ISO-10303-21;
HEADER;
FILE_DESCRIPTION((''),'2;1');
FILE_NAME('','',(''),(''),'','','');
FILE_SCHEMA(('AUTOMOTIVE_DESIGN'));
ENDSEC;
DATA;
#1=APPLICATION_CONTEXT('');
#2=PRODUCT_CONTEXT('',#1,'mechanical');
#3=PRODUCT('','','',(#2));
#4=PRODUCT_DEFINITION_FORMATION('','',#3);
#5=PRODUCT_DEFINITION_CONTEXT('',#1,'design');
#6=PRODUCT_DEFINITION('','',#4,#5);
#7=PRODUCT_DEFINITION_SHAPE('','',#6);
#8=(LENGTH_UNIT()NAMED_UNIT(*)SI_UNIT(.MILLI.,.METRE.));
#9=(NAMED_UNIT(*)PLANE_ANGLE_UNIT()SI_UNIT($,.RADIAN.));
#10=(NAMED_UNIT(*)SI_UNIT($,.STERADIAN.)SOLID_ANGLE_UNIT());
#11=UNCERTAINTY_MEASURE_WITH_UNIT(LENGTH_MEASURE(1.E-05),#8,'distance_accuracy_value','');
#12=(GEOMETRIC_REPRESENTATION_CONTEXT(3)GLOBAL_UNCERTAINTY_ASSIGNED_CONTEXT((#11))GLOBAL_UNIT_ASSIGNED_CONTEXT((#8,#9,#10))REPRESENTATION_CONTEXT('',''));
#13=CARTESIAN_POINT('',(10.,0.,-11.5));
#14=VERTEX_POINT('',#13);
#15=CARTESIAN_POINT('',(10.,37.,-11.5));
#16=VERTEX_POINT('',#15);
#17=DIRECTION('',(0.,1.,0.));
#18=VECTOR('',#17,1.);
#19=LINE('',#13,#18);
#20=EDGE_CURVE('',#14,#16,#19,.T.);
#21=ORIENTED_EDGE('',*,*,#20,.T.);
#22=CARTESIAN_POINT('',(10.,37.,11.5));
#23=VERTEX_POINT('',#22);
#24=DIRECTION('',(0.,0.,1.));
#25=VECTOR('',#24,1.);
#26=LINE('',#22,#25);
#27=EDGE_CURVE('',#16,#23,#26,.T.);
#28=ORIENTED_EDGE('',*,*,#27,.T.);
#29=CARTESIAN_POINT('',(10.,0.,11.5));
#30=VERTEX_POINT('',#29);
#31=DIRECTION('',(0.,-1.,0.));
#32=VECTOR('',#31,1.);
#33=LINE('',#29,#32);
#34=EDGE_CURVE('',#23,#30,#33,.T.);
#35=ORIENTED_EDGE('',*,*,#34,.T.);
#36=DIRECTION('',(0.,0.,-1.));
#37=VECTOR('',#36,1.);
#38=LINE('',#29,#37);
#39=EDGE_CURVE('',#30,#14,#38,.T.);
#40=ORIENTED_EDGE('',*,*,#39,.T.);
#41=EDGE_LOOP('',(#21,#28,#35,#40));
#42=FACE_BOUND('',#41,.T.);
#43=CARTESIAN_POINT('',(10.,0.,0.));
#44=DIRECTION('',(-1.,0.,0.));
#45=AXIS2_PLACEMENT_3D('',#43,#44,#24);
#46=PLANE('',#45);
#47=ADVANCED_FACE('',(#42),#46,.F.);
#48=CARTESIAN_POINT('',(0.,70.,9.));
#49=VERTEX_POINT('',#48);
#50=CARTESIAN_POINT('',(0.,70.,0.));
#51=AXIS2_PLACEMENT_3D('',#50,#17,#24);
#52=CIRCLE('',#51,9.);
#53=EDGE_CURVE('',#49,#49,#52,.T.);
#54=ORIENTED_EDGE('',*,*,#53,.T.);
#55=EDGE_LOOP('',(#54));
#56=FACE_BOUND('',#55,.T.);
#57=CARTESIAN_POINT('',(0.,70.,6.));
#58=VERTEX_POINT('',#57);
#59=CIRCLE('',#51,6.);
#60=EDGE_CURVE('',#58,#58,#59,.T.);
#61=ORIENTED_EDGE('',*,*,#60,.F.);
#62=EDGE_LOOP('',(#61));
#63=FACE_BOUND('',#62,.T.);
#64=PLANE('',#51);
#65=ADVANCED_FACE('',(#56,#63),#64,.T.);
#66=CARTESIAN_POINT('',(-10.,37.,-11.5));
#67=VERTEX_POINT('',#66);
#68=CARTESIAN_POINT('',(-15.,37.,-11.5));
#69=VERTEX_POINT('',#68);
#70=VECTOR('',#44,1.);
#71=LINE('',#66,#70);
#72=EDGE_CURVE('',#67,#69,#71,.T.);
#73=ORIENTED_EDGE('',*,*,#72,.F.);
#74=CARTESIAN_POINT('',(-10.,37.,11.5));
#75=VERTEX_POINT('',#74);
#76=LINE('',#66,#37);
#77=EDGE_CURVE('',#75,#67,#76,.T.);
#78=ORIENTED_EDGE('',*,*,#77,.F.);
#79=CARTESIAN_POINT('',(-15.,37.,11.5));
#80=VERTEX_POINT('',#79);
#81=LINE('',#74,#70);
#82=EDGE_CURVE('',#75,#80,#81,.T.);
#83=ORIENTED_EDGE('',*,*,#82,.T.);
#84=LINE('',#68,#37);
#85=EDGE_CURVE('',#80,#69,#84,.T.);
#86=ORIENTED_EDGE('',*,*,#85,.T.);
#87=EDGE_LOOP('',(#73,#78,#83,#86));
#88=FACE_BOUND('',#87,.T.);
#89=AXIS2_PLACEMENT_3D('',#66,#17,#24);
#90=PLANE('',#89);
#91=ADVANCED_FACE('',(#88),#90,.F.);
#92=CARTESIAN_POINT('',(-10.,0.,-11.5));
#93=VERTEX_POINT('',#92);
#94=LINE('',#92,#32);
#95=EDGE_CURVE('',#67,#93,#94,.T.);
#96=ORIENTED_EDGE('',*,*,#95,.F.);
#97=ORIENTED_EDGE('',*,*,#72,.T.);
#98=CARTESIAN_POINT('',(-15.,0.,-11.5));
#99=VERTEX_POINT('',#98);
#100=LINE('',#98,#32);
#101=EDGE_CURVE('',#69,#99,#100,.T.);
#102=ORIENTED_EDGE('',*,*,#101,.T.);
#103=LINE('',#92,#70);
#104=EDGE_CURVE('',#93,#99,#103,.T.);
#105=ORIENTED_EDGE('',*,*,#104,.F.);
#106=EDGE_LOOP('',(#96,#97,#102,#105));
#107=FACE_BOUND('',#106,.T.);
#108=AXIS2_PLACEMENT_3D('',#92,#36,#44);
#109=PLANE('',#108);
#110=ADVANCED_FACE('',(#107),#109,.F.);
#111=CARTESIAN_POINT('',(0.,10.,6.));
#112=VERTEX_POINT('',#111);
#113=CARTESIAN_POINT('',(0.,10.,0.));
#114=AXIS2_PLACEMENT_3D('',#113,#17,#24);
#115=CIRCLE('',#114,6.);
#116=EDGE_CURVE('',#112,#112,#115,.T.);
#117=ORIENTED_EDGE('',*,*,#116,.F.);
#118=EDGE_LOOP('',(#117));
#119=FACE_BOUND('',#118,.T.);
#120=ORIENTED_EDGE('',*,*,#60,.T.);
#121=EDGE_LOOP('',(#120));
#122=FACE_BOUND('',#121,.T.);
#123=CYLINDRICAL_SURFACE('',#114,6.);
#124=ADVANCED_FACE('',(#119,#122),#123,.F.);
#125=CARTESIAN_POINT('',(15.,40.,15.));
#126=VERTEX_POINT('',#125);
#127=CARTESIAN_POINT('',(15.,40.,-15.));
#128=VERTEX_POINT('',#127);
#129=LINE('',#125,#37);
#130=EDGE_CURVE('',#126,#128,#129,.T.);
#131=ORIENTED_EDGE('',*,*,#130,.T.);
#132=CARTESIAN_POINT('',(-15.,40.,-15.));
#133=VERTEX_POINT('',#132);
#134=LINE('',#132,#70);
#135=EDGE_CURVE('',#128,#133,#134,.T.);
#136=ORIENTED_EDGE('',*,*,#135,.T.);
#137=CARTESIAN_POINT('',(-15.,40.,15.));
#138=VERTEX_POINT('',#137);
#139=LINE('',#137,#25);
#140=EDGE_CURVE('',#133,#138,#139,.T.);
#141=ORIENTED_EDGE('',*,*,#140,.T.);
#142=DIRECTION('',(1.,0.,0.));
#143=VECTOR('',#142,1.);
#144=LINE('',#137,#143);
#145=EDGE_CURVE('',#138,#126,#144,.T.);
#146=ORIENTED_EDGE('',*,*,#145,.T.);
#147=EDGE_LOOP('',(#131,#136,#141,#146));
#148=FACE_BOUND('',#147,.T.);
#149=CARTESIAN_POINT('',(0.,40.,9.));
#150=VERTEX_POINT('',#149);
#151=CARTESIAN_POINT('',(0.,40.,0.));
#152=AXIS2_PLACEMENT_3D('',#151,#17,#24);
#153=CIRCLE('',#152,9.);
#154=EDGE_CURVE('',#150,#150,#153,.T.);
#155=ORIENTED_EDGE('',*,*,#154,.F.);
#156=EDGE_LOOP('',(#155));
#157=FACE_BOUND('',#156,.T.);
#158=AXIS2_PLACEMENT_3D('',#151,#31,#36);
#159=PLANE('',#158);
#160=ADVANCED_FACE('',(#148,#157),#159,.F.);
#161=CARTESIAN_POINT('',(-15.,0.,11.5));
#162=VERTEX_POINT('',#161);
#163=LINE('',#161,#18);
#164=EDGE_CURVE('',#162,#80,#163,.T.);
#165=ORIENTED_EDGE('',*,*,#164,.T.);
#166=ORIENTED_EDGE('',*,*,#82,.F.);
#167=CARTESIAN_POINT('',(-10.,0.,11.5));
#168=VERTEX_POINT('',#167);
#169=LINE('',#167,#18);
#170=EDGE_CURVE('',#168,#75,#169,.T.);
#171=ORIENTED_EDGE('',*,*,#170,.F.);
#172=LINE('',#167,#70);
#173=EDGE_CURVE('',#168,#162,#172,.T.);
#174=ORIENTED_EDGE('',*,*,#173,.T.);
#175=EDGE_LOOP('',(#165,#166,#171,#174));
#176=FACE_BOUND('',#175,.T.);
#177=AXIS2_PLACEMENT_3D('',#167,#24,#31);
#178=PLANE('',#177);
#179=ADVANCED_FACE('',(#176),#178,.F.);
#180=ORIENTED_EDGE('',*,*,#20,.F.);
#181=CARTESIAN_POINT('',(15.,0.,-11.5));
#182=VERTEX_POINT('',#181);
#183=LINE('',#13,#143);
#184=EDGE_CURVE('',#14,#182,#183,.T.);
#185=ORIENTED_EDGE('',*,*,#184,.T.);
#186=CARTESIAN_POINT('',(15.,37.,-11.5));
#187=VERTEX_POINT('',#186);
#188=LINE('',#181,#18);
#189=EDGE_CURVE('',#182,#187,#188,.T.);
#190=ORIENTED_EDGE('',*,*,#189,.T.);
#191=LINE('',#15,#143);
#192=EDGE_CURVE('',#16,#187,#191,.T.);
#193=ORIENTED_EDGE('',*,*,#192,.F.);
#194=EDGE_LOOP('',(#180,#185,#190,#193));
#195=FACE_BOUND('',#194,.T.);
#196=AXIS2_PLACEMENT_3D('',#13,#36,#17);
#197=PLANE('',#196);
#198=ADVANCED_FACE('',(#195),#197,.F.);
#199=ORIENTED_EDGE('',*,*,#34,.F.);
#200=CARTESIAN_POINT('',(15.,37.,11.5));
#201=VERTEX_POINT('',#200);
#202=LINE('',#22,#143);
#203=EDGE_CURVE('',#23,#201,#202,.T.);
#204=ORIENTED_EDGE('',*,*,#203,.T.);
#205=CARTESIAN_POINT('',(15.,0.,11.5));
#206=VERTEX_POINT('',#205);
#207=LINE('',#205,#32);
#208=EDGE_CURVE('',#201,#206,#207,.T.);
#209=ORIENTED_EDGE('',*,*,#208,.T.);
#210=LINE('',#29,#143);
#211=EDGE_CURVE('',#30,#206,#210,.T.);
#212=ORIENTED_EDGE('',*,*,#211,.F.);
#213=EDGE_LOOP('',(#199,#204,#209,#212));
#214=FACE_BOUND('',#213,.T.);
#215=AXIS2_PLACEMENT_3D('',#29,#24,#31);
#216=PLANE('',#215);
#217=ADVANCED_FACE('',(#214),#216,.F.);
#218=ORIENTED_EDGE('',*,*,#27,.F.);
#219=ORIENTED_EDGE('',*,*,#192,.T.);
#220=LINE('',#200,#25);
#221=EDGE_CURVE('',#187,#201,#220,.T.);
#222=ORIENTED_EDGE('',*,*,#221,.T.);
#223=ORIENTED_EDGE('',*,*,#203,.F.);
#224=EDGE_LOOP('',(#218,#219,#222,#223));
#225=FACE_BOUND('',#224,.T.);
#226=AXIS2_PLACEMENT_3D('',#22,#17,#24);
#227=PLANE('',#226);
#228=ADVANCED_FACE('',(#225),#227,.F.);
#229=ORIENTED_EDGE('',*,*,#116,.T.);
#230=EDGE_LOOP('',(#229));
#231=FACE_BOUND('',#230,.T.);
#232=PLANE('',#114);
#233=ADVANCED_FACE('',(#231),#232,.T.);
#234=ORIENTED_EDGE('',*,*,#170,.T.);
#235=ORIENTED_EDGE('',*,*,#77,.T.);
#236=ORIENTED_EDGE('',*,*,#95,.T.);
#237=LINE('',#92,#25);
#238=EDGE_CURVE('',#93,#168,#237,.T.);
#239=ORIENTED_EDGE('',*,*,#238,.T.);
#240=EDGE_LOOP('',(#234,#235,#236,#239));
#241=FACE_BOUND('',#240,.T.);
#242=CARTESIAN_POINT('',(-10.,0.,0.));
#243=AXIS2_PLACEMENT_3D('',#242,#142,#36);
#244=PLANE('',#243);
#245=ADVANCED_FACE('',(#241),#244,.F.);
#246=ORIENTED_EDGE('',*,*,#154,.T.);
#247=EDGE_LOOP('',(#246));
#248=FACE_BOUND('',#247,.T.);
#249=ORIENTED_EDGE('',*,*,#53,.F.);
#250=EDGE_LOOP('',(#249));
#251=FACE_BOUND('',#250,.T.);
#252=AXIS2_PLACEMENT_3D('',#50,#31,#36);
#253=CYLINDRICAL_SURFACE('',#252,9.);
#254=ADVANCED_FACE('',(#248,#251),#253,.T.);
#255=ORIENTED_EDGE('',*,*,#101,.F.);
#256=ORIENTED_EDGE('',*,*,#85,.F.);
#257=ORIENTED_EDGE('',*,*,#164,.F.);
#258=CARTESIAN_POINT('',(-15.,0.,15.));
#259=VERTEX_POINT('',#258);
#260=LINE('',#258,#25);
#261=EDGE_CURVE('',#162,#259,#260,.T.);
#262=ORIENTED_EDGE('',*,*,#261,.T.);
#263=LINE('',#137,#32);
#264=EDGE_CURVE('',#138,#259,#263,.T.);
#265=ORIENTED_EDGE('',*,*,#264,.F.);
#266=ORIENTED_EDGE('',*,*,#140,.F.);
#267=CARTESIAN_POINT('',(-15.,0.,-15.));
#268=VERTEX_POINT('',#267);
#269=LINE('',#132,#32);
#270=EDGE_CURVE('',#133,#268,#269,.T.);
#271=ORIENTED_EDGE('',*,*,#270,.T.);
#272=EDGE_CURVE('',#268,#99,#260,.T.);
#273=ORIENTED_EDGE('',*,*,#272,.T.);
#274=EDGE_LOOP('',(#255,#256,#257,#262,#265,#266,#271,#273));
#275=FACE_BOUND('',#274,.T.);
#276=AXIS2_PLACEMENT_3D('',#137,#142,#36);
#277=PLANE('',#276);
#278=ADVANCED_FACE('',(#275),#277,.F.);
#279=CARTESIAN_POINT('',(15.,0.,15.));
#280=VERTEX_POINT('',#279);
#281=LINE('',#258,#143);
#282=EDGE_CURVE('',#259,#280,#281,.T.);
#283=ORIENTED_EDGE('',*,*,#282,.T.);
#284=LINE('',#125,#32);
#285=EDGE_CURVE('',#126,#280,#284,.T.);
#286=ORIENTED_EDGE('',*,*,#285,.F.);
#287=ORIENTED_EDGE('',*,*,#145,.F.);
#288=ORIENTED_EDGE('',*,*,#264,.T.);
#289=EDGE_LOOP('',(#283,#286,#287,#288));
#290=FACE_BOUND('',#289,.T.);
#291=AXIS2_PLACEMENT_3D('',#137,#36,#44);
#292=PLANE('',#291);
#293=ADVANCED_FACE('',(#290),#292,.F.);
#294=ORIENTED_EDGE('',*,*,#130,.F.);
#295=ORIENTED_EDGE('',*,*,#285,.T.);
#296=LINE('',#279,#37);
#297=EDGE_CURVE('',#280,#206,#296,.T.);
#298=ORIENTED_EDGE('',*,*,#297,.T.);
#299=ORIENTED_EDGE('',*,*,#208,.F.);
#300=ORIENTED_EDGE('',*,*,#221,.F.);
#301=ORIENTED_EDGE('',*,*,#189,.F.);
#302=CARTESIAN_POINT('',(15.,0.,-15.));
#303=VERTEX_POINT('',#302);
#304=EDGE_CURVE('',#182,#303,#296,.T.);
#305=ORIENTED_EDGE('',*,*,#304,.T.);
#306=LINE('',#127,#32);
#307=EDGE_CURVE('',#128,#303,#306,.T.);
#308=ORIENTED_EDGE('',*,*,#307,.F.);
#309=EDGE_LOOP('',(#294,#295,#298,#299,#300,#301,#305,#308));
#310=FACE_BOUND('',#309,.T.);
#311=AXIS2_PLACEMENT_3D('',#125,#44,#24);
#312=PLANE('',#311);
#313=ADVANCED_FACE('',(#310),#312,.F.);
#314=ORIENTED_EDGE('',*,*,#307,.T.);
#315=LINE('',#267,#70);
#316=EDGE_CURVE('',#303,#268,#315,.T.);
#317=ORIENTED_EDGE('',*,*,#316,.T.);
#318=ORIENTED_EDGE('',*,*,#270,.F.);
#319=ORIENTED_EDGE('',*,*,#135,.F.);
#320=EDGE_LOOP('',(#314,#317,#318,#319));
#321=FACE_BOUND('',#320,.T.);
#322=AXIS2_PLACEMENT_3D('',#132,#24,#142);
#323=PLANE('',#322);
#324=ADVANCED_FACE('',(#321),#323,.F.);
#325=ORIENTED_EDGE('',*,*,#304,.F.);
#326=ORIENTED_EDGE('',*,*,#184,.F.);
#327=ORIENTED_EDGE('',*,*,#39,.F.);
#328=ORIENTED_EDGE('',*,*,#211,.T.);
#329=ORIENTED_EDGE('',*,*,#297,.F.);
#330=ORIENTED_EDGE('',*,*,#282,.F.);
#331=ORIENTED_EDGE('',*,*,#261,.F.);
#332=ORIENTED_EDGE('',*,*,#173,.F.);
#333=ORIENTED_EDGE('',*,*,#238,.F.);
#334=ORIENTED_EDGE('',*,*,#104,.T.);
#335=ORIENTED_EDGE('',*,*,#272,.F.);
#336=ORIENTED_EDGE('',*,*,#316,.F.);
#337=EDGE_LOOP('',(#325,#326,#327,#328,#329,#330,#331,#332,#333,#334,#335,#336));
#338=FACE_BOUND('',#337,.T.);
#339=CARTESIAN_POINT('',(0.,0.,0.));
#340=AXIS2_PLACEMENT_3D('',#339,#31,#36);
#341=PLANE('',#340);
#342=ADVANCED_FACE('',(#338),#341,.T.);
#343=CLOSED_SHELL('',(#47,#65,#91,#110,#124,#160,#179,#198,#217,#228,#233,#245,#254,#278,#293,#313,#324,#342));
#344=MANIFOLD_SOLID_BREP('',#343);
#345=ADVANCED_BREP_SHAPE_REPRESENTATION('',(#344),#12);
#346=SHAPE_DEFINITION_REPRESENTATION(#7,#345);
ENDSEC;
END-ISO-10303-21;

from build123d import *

# Parameters (mm, degrees)
SKETCH1_W           = 30
SKETCH1_H           = 30
BOSS_EXTRUDE1_DEPTH = 40
SKETCH2_R           = 9
BOSS_EXTRUDE2_DEPTH = 30
SKETCH3_R           = 6
CUT_EXTRUDE1_DEPTH  = 60
SKETCH4_W           = 23
SKETCH4_H           = 37
CUT_EXTRUDE2_DEPTH  = 5
SKETCH5_W           = 23
SKETCH5_H           = 37
CUT_EXTRUDE3_DEPTH  = 5


with BuildPart() as part:
    # Sketch1 → Boss-Extrude1 (new body)
    with BuildSketch(Plane(origin=(0, 0, 0), x_dir=(1, 0, 0), z_dir=(0, 1, 0))):
        Rectangle(SKETCH1_W, SKETCH1_H)
    extrude(amount=BOSS_EXTRUDE1_DEPTH)

    # Sketch2 → Boss-Extrude2 (add)
    with BuildSketch(Plane(origin=(0, 40, 0), x_dir=(1, 0, 0), z_dir=(0, 1, 0))):
        with Locations(Location((0, 0, 0), (0, 0, 270))):
            Circle(SKETCH2_R)
    extrude(amount=BOSS_EXTRUDE2_DEPTH)

    # Sketch3 → Cut-Extrude1 (cut)
    with BuildSketch(Plane(origin=(0, 70, 0), x_dir=(1, 0, 0), z_dir=(0, 1, 0))):
        with Locations(Location((0, 0, 0), (0, 0, 270))):
            Circle(SKETCH3_R)
    extrude(amount=-CUT_EXTRUDE1_DEPTH, mode=Mode.SUBTRACT)

    # Sketch4 → Cut-Extrude2 (cut)
    with BuildSketch(Plane(origin=(15, 0, 0), x_dir=(0, 0, -1), z_dir=(1, 0, 0))):
        with Locations((0, 18.5)):
            Rectangle(SKETCH4_W, SKETCH4_H)
    extrude(amount=-CUT_EXTRUDE2_DEPTH, mode=Mode.SUBTRACT)

    # Sketch5 → Cut-Extrude3 (cut)
    with BuildSketch(Plane.ZY.offset(15)):
        with Locations((0, 18.5)):
            Rectangle(SKETCH5_W, SKETCH5_H)
    extrude(amount=-CUT_EXTRUDE3_DEPTH, mode=Mode.SUBTRACT)


solid = part.part
